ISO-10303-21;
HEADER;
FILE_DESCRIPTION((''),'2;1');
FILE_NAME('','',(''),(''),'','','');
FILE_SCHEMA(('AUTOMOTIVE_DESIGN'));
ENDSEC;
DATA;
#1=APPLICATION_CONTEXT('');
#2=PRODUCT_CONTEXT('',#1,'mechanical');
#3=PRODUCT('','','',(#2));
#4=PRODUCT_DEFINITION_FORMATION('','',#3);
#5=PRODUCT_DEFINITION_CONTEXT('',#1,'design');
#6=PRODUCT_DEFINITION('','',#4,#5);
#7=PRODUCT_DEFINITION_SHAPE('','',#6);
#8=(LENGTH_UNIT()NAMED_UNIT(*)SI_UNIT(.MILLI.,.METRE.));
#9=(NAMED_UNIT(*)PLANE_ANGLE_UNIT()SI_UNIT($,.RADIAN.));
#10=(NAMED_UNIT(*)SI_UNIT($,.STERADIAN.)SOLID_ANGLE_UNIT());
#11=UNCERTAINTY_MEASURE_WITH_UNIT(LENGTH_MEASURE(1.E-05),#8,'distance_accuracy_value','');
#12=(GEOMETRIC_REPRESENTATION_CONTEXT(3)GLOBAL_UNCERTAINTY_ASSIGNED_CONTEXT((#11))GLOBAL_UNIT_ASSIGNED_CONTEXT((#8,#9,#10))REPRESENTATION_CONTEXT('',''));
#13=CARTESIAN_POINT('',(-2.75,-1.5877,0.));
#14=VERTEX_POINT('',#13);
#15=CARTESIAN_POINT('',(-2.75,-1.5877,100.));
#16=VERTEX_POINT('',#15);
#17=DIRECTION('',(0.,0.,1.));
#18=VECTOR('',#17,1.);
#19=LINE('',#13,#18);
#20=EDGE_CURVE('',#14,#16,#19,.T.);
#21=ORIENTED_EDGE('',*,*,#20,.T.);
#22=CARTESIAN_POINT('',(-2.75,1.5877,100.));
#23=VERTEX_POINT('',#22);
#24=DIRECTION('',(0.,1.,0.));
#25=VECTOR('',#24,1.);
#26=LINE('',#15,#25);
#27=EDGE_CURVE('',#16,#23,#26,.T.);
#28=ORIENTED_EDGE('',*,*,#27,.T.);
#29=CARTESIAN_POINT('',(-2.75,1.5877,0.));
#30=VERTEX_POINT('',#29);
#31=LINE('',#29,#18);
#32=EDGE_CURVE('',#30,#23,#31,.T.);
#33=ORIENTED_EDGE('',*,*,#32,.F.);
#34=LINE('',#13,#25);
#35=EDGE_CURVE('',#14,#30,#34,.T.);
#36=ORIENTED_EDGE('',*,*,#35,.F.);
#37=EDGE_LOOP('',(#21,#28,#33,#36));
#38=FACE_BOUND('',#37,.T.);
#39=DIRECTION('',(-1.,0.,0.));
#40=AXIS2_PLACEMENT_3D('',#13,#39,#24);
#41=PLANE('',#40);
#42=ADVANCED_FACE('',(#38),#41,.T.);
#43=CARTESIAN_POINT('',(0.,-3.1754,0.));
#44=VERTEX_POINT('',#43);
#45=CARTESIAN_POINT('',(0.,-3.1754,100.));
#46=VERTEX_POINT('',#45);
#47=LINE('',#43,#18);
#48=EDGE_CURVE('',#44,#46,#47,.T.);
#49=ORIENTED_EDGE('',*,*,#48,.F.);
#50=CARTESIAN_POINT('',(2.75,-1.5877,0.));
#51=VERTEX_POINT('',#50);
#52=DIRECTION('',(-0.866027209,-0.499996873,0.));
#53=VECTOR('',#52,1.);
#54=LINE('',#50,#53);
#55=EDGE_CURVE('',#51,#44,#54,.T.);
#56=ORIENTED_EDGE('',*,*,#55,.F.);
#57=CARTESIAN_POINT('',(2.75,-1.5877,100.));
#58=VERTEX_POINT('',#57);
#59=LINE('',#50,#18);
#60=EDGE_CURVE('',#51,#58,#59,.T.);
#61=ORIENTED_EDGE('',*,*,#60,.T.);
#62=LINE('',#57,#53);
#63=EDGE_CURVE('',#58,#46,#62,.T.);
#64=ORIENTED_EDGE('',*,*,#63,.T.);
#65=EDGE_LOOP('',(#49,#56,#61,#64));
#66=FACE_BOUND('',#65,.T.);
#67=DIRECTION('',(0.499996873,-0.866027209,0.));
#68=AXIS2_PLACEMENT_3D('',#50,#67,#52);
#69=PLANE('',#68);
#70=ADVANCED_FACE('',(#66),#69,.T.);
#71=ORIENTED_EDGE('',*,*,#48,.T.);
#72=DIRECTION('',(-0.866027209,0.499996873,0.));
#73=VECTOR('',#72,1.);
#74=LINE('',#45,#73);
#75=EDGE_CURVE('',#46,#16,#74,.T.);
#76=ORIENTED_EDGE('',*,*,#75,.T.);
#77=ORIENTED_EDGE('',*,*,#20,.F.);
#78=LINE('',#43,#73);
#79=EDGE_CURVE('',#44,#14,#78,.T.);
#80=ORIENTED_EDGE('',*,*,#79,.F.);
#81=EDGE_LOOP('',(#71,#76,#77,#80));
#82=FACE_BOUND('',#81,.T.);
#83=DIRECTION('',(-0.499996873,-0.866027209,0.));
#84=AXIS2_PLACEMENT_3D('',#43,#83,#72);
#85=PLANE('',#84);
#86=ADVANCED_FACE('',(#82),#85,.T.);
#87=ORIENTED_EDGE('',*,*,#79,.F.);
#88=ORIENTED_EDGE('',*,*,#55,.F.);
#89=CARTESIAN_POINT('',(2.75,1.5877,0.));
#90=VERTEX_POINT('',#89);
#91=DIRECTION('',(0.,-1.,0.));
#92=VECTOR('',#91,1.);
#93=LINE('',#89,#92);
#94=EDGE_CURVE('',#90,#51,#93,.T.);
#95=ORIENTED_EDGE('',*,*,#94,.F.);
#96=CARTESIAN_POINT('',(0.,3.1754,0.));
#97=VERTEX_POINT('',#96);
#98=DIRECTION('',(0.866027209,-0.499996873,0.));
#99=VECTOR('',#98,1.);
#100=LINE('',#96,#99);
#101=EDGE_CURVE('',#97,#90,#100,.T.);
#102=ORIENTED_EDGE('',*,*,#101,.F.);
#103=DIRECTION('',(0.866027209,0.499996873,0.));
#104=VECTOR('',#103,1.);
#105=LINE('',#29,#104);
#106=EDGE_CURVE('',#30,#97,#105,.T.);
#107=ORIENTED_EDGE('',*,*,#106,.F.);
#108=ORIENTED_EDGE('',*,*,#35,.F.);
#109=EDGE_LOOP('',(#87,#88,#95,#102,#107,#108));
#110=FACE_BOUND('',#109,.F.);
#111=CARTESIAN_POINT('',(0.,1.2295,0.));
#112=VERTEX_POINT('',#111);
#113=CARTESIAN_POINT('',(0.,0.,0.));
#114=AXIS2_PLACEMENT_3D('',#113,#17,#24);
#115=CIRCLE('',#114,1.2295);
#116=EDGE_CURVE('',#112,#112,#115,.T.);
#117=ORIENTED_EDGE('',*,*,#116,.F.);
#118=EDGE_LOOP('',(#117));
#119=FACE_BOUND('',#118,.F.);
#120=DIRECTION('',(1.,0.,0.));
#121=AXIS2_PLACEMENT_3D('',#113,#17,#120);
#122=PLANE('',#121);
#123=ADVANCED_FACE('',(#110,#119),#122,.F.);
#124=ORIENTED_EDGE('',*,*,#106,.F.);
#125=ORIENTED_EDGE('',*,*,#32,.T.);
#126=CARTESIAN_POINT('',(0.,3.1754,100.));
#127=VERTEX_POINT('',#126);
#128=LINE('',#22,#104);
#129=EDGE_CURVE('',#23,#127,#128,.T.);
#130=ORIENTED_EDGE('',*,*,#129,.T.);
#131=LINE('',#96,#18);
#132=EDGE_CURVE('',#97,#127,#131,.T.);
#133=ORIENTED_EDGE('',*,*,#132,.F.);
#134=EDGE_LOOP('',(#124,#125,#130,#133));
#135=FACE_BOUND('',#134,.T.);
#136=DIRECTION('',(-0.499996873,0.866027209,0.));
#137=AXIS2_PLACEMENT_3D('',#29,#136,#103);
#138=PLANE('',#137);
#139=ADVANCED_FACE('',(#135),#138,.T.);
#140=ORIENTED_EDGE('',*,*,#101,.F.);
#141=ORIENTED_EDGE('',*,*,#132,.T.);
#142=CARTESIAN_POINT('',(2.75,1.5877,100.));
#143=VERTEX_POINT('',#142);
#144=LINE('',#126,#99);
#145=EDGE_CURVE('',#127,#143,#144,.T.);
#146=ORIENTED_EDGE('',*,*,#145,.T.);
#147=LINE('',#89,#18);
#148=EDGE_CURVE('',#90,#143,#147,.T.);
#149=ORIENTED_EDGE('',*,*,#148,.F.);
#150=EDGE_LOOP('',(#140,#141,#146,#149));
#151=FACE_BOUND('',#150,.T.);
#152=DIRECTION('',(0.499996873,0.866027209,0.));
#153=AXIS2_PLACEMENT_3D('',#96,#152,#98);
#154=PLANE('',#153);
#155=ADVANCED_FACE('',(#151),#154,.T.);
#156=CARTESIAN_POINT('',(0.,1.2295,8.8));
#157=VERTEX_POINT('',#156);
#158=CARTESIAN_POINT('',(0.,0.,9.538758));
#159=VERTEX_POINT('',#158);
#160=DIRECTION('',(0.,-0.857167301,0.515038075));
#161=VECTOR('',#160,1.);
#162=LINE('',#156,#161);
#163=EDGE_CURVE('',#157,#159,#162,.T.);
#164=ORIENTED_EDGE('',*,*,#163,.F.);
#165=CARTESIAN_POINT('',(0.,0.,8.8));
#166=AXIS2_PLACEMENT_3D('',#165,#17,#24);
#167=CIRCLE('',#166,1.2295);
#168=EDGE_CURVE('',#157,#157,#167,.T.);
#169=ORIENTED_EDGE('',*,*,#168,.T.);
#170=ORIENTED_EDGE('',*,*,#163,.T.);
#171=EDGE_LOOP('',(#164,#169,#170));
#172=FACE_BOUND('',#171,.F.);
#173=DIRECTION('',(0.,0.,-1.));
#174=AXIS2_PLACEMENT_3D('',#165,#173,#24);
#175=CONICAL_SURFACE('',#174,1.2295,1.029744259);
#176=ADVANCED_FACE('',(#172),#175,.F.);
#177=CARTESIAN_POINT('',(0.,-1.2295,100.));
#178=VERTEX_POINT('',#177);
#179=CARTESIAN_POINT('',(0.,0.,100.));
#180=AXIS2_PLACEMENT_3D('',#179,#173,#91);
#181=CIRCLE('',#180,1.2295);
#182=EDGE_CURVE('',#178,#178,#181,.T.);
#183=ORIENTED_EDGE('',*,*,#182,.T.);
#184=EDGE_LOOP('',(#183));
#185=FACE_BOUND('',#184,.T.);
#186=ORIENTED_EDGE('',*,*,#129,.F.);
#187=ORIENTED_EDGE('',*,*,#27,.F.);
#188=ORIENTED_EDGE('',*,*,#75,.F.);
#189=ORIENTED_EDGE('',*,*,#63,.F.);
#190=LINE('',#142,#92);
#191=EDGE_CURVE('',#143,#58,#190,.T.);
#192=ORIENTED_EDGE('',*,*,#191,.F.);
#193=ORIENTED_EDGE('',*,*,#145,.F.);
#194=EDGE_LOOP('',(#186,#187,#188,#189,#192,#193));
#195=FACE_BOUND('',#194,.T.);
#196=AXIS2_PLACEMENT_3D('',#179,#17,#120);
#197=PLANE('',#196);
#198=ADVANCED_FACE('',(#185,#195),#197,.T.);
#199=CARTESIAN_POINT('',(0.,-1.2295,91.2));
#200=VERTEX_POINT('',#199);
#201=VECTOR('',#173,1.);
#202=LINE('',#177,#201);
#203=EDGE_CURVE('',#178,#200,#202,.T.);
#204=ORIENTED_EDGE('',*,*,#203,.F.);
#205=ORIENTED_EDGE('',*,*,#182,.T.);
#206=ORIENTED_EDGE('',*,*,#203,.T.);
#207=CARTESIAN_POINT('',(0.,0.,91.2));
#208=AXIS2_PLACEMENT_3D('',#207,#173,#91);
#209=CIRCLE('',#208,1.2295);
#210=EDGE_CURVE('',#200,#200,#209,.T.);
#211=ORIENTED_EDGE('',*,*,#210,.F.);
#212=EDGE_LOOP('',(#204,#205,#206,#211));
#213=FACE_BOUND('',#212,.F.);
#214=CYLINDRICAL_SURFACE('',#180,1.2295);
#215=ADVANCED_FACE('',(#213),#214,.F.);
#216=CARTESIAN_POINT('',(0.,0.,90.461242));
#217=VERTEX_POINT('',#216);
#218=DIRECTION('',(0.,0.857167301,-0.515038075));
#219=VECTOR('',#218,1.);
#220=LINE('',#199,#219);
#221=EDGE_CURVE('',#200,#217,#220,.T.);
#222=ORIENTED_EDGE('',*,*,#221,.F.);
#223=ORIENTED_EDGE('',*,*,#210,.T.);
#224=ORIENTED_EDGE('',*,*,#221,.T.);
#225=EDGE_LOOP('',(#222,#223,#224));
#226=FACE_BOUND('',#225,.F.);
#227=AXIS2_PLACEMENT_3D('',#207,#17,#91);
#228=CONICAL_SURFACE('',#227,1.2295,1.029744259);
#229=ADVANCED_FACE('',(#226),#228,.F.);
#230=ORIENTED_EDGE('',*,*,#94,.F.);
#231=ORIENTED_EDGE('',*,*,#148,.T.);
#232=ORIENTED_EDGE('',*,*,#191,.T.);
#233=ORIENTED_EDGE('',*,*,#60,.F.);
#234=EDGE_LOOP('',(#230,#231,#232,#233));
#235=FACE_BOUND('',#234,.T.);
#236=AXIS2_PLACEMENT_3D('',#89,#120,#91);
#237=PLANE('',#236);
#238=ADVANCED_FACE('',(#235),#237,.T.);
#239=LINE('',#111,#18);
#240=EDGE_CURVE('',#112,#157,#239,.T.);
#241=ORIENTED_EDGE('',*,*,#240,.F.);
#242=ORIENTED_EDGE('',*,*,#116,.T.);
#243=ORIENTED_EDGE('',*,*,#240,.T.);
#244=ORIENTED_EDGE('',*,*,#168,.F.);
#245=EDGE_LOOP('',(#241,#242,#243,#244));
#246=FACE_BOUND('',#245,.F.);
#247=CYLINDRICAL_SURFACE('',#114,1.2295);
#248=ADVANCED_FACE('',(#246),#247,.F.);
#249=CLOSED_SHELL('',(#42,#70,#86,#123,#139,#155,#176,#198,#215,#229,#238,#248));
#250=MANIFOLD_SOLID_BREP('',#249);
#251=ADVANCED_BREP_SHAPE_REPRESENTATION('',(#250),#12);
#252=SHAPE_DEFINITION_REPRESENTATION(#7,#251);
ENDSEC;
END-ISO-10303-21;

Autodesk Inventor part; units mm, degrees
ref_plane "YZ Plane" through (0, 0, 0) normal (1, 0, 0) x (0, 1, 0)
ref_plane "XZ Plane" through (0, 0, 0) normal (0, 1, 0) x (-1, 0, 0)
ref_plane "XY Plane" through (0, 0, 0) normal (0, 0, 1) x (1, 0, 0)
sketch "スケッチ1" plane through (0, 0, 0) normal (0, 0, 1) x (1, 0, 0)
  line L0 (0, 3.1754) -> (2.75, 1.5877)
  line L1 (2.75, 1.5877) -> (2.75, -1.5877)
  line L2 (2.75, -1.5877) -> (0, -3.1754)
  line L3 (0, -3.1754) -> (-2.75, -1.5877)
  line L4 (-2.75, -1.5877) -> (-2.75, 1.5877)
  line L5 (-2.75, 1.5877) -> (0, 3.1754)
  point P0 (0, 0)
  point P1 (0, 0)
  dimension "d0" = 5.5
extrude "押し出し1" add sketch "スケッチ1" along normal blind 100
sketch "スケッチ2" plane through (0, 0, 100) normal (0, 0, 1) x (1, 0, 0)
  point P0 (0, 0)
hole "穴1" at (0, 0, 100) direction (0, 0, -1) diameter 2.459 depth 8.8 tip angle 118 thread size "M3x0.5" class "6H" standard "ISO Metric profile"
sketch "スケッチ3" plane through (0, 0, 0) normal (0, 0, -1) x (-1, 0, 0)
  point P0 (0, 0)
hole "穴2" at (0, 0, 0) direction (0, 0, 1) diameter 2.459 depth 8.8 tip angle 118 thread size "M3x0.5" class "6H" standard "ISO Metric profile"
properties part number "アルミスペーサー(六角・酸洗処理）_ASL-3100E" material "アルミニウム 6061"
